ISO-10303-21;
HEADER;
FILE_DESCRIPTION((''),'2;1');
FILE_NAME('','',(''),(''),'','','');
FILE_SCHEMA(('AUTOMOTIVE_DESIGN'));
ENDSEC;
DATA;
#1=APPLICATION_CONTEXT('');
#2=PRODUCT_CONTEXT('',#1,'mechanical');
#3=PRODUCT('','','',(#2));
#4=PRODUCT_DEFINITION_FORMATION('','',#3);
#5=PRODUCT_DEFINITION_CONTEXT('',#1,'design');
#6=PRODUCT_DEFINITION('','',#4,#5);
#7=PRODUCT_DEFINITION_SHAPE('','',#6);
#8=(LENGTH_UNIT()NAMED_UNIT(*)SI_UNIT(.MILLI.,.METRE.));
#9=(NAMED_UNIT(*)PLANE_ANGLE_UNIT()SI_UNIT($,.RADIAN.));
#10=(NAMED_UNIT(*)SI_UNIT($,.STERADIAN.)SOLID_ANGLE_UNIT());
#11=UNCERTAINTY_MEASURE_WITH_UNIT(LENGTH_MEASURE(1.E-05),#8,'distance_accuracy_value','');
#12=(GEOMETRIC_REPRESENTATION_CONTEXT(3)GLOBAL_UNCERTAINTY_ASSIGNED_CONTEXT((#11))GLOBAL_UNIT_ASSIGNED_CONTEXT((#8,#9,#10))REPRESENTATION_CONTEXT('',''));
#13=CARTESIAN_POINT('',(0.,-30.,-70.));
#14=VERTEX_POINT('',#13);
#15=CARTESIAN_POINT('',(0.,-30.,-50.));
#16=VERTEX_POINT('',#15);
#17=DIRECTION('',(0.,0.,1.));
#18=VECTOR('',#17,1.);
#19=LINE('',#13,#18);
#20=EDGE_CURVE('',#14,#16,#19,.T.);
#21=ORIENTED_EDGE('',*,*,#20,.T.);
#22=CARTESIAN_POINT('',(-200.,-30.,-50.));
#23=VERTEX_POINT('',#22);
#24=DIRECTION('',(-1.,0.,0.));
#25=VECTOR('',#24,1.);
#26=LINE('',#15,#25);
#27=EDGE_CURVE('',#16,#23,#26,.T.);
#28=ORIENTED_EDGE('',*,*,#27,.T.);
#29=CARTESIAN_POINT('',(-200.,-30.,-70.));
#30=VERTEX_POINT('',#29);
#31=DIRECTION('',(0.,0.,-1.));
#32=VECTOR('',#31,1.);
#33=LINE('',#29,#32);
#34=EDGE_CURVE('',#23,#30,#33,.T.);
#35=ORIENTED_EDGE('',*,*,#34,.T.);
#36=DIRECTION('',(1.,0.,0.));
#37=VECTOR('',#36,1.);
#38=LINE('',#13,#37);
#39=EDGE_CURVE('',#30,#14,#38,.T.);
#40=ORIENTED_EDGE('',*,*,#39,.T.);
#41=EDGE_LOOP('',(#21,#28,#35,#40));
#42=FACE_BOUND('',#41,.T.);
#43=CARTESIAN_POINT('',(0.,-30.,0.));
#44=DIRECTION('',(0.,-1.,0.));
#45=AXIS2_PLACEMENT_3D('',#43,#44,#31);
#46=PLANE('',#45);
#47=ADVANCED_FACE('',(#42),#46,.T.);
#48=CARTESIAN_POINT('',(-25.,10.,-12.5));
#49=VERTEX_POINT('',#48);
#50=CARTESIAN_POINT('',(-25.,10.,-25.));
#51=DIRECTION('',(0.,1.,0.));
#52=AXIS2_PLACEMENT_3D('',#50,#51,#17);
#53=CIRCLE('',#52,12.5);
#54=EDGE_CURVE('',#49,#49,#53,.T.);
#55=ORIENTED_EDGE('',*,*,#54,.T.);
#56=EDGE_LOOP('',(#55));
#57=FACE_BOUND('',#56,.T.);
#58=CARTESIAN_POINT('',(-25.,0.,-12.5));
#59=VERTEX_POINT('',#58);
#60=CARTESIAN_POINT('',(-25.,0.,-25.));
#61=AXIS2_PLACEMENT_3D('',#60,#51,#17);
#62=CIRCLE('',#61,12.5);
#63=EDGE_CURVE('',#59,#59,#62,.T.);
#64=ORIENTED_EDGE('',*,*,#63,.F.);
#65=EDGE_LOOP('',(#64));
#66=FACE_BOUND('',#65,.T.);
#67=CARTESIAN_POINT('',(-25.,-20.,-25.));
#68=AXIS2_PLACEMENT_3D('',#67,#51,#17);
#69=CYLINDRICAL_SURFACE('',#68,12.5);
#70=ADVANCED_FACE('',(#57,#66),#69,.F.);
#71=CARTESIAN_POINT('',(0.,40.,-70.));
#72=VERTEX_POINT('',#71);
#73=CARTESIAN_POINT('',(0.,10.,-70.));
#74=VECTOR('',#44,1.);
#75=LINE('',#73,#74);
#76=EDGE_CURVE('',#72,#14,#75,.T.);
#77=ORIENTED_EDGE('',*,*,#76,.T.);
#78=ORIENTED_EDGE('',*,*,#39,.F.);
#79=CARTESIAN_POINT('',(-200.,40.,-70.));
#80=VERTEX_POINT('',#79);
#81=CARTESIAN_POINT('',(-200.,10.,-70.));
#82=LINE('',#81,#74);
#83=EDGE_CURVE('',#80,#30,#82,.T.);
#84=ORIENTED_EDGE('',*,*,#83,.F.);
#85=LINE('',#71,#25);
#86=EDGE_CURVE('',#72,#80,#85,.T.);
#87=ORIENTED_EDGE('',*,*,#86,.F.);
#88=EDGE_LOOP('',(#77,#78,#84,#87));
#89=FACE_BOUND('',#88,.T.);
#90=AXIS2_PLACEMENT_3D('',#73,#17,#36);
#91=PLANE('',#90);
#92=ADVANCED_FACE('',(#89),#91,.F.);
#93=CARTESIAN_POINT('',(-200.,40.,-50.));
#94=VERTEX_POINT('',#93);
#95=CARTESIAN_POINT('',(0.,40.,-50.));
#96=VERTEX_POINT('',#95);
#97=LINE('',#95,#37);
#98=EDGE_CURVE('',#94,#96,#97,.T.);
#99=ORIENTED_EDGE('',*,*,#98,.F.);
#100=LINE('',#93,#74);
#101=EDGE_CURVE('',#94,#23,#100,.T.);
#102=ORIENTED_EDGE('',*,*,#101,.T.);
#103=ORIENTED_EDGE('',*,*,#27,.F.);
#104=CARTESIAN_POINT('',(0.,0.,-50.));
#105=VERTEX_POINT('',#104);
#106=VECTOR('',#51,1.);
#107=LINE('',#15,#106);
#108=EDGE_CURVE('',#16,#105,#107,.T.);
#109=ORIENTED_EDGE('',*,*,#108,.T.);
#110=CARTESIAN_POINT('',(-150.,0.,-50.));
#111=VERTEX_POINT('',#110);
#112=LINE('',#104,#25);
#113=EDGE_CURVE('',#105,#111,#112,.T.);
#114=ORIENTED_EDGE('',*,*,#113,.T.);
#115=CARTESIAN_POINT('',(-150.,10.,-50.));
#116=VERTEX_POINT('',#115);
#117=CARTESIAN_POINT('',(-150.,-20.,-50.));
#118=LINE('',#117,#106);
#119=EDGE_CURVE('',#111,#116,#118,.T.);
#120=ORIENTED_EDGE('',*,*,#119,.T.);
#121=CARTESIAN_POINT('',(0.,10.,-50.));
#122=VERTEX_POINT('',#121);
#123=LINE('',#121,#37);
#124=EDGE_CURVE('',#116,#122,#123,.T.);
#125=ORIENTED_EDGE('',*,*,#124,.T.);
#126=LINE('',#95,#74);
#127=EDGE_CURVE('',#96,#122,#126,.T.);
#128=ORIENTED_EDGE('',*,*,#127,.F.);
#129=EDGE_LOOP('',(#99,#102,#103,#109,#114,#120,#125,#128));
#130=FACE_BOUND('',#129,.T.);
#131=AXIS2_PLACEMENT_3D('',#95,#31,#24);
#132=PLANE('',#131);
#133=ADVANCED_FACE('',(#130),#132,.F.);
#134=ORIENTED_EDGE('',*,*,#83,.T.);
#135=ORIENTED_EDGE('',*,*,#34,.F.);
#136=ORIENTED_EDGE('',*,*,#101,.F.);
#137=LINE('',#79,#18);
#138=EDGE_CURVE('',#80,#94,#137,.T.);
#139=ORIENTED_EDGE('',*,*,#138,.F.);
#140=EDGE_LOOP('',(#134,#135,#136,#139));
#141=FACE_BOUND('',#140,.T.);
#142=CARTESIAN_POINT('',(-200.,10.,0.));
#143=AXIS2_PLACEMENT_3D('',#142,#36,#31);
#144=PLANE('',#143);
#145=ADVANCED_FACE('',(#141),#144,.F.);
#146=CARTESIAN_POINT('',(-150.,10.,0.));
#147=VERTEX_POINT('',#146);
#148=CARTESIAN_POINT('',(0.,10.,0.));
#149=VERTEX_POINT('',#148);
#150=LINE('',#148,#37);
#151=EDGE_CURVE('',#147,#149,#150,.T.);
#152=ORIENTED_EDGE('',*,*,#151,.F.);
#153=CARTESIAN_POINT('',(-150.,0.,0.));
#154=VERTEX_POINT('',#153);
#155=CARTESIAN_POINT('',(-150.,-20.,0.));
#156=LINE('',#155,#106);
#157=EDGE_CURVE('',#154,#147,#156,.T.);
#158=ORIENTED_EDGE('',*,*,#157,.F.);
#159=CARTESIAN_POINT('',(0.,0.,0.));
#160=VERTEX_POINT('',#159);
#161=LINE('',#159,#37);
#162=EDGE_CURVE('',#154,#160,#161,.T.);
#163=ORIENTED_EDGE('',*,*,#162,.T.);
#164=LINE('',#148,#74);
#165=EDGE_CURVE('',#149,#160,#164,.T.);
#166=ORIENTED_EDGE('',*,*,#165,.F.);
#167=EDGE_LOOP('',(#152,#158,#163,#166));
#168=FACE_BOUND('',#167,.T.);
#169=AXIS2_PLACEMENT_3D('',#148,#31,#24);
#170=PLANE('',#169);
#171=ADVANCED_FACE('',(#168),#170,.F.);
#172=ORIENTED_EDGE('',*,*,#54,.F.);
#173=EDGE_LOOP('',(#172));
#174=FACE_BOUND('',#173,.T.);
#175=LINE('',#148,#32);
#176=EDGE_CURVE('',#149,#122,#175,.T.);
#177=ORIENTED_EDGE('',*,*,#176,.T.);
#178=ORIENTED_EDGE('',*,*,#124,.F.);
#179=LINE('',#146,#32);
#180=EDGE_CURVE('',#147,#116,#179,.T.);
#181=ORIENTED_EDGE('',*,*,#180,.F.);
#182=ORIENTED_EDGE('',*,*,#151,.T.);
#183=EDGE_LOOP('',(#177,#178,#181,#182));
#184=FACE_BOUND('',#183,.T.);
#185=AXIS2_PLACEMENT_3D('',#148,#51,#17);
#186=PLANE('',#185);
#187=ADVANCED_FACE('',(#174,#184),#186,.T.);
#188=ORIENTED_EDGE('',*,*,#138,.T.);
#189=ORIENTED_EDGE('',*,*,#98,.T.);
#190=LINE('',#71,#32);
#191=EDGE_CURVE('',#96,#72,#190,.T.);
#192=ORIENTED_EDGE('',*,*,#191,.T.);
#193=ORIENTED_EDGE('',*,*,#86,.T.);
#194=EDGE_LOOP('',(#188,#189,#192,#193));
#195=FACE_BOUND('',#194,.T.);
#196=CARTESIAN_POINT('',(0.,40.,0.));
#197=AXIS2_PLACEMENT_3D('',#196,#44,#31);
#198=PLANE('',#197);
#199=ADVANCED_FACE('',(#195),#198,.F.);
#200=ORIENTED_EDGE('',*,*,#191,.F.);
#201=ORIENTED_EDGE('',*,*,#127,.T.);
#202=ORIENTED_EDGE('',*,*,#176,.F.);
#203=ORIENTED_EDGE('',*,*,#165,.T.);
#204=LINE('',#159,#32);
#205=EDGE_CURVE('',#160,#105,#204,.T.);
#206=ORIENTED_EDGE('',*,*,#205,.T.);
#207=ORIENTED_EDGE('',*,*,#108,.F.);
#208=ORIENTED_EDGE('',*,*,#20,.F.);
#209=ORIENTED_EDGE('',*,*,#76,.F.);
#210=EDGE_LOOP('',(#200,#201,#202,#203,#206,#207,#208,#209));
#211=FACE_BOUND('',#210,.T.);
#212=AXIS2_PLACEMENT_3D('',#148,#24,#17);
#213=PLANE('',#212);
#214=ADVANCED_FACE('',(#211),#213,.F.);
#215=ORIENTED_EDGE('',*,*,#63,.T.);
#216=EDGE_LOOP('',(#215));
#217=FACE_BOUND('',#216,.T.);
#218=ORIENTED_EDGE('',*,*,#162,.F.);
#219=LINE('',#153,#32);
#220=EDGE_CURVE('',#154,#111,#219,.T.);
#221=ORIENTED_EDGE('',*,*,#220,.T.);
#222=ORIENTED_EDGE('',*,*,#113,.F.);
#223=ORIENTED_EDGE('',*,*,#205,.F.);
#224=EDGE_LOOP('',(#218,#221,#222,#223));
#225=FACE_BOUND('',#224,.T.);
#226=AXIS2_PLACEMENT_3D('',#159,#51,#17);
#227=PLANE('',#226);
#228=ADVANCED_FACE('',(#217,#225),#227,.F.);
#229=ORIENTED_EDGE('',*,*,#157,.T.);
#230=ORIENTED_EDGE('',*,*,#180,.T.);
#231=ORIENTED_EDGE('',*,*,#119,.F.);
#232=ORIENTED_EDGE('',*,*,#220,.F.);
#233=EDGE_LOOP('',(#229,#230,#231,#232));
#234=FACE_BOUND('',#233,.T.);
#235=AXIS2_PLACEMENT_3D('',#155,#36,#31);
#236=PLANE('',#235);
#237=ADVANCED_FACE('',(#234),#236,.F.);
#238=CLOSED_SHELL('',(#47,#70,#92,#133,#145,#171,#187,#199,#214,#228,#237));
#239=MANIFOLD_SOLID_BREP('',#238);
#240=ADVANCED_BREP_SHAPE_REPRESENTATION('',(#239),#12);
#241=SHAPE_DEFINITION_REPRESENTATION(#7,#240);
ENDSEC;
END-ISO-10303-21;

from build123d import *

# Parameters (mm, degrees)
SKETCH1_W           = 200
SKETCH1_H           = 70
BOSS_EXTRUDE1_DEPTH = 10
SKETCH2_W           = 200
SKETCH2_H           = 20
BOSS_EXTRUDE2_DEPTH = 30
SKETCH3_W           = 200
SKETCH3_H           = 20
BOSS_EXTRUDE3_DEPTH = 30
SKETCH4_R           = 12.5
CUT_EXTRUDE1_DEPTH  = 30
SKETCH5_W           = 50
SKETCH5_H           = 50
CUT_EXTRUDE2_DEPTH  = 30


with BuildPart() as part:
    # Sketch1 → Boss-Extrude1 (new body)
    with BuildSketch(Plane(origin=(0, 0, 0), x_dir=(1, 0, 0), z_dir=(0, 1, 0))):
        with Locations((-100, 35)):
            Rectangle(SKETCH1_W, SKETCH1_H)
    extrude(amount=BOSS_EXTRUDE1_DEPTH)

    # Sketch2 → Boss-Extrude2 (add)
    with BuildSketch(Plane(origin=(0, 10, 0), x_dir=(1, 0, 0), z_dir=(0, 1, 0))):
        with Locations((-100, 60)):
            Rectangle(SKETCH2_W, SKETCH2_H)
    extrude(amount=BOSS_EXTRUDE2_DEPTH)

    # Sketch3 → Boss-Extrude3 (add)
    with BuildSketch(Plane.XZ):
        with Locations((-100, -60)):
            Rectangle(SKETCH3_W, SKETCH3_H)
    extrude(amount=BOSS_EXTRUDE3_DEPTH)

    # Sketch4 → Cut-Extrude1 (cut)
    with BuildSketch(Plane(origin=(0, 10, 0), x_dir=(1, 0, 0), z_dir=(0, 1, 0))):
        with Locations(Location((-25, 25, 0), (0, 0, 270))):
            Circle(SKETCH4_R)
        with Locations(Location((-175, 25, 0), (0, 0, 270))):
            Circle(SKETCH4_R)
    extrude(amount=-CUT_EXTRUDE1_DEPTH, mode=Mode.SUBTRACT)

    # Sketch5 → Cut-Extrude2 (cut)
    with BuildSketch(Plane(origin=(0, 10, 0), x_dir=(1, 0, 0), z_dir=(0, 1, 0))):
        with Locations((-175, 25)):
            Rectangle(SKETCH5_W, SKETCH5_H)
    extrude(amount=-CUT_EXTRUDE2_DEPTH, mode=Mode.SUBTRACT)


solid = part.part
